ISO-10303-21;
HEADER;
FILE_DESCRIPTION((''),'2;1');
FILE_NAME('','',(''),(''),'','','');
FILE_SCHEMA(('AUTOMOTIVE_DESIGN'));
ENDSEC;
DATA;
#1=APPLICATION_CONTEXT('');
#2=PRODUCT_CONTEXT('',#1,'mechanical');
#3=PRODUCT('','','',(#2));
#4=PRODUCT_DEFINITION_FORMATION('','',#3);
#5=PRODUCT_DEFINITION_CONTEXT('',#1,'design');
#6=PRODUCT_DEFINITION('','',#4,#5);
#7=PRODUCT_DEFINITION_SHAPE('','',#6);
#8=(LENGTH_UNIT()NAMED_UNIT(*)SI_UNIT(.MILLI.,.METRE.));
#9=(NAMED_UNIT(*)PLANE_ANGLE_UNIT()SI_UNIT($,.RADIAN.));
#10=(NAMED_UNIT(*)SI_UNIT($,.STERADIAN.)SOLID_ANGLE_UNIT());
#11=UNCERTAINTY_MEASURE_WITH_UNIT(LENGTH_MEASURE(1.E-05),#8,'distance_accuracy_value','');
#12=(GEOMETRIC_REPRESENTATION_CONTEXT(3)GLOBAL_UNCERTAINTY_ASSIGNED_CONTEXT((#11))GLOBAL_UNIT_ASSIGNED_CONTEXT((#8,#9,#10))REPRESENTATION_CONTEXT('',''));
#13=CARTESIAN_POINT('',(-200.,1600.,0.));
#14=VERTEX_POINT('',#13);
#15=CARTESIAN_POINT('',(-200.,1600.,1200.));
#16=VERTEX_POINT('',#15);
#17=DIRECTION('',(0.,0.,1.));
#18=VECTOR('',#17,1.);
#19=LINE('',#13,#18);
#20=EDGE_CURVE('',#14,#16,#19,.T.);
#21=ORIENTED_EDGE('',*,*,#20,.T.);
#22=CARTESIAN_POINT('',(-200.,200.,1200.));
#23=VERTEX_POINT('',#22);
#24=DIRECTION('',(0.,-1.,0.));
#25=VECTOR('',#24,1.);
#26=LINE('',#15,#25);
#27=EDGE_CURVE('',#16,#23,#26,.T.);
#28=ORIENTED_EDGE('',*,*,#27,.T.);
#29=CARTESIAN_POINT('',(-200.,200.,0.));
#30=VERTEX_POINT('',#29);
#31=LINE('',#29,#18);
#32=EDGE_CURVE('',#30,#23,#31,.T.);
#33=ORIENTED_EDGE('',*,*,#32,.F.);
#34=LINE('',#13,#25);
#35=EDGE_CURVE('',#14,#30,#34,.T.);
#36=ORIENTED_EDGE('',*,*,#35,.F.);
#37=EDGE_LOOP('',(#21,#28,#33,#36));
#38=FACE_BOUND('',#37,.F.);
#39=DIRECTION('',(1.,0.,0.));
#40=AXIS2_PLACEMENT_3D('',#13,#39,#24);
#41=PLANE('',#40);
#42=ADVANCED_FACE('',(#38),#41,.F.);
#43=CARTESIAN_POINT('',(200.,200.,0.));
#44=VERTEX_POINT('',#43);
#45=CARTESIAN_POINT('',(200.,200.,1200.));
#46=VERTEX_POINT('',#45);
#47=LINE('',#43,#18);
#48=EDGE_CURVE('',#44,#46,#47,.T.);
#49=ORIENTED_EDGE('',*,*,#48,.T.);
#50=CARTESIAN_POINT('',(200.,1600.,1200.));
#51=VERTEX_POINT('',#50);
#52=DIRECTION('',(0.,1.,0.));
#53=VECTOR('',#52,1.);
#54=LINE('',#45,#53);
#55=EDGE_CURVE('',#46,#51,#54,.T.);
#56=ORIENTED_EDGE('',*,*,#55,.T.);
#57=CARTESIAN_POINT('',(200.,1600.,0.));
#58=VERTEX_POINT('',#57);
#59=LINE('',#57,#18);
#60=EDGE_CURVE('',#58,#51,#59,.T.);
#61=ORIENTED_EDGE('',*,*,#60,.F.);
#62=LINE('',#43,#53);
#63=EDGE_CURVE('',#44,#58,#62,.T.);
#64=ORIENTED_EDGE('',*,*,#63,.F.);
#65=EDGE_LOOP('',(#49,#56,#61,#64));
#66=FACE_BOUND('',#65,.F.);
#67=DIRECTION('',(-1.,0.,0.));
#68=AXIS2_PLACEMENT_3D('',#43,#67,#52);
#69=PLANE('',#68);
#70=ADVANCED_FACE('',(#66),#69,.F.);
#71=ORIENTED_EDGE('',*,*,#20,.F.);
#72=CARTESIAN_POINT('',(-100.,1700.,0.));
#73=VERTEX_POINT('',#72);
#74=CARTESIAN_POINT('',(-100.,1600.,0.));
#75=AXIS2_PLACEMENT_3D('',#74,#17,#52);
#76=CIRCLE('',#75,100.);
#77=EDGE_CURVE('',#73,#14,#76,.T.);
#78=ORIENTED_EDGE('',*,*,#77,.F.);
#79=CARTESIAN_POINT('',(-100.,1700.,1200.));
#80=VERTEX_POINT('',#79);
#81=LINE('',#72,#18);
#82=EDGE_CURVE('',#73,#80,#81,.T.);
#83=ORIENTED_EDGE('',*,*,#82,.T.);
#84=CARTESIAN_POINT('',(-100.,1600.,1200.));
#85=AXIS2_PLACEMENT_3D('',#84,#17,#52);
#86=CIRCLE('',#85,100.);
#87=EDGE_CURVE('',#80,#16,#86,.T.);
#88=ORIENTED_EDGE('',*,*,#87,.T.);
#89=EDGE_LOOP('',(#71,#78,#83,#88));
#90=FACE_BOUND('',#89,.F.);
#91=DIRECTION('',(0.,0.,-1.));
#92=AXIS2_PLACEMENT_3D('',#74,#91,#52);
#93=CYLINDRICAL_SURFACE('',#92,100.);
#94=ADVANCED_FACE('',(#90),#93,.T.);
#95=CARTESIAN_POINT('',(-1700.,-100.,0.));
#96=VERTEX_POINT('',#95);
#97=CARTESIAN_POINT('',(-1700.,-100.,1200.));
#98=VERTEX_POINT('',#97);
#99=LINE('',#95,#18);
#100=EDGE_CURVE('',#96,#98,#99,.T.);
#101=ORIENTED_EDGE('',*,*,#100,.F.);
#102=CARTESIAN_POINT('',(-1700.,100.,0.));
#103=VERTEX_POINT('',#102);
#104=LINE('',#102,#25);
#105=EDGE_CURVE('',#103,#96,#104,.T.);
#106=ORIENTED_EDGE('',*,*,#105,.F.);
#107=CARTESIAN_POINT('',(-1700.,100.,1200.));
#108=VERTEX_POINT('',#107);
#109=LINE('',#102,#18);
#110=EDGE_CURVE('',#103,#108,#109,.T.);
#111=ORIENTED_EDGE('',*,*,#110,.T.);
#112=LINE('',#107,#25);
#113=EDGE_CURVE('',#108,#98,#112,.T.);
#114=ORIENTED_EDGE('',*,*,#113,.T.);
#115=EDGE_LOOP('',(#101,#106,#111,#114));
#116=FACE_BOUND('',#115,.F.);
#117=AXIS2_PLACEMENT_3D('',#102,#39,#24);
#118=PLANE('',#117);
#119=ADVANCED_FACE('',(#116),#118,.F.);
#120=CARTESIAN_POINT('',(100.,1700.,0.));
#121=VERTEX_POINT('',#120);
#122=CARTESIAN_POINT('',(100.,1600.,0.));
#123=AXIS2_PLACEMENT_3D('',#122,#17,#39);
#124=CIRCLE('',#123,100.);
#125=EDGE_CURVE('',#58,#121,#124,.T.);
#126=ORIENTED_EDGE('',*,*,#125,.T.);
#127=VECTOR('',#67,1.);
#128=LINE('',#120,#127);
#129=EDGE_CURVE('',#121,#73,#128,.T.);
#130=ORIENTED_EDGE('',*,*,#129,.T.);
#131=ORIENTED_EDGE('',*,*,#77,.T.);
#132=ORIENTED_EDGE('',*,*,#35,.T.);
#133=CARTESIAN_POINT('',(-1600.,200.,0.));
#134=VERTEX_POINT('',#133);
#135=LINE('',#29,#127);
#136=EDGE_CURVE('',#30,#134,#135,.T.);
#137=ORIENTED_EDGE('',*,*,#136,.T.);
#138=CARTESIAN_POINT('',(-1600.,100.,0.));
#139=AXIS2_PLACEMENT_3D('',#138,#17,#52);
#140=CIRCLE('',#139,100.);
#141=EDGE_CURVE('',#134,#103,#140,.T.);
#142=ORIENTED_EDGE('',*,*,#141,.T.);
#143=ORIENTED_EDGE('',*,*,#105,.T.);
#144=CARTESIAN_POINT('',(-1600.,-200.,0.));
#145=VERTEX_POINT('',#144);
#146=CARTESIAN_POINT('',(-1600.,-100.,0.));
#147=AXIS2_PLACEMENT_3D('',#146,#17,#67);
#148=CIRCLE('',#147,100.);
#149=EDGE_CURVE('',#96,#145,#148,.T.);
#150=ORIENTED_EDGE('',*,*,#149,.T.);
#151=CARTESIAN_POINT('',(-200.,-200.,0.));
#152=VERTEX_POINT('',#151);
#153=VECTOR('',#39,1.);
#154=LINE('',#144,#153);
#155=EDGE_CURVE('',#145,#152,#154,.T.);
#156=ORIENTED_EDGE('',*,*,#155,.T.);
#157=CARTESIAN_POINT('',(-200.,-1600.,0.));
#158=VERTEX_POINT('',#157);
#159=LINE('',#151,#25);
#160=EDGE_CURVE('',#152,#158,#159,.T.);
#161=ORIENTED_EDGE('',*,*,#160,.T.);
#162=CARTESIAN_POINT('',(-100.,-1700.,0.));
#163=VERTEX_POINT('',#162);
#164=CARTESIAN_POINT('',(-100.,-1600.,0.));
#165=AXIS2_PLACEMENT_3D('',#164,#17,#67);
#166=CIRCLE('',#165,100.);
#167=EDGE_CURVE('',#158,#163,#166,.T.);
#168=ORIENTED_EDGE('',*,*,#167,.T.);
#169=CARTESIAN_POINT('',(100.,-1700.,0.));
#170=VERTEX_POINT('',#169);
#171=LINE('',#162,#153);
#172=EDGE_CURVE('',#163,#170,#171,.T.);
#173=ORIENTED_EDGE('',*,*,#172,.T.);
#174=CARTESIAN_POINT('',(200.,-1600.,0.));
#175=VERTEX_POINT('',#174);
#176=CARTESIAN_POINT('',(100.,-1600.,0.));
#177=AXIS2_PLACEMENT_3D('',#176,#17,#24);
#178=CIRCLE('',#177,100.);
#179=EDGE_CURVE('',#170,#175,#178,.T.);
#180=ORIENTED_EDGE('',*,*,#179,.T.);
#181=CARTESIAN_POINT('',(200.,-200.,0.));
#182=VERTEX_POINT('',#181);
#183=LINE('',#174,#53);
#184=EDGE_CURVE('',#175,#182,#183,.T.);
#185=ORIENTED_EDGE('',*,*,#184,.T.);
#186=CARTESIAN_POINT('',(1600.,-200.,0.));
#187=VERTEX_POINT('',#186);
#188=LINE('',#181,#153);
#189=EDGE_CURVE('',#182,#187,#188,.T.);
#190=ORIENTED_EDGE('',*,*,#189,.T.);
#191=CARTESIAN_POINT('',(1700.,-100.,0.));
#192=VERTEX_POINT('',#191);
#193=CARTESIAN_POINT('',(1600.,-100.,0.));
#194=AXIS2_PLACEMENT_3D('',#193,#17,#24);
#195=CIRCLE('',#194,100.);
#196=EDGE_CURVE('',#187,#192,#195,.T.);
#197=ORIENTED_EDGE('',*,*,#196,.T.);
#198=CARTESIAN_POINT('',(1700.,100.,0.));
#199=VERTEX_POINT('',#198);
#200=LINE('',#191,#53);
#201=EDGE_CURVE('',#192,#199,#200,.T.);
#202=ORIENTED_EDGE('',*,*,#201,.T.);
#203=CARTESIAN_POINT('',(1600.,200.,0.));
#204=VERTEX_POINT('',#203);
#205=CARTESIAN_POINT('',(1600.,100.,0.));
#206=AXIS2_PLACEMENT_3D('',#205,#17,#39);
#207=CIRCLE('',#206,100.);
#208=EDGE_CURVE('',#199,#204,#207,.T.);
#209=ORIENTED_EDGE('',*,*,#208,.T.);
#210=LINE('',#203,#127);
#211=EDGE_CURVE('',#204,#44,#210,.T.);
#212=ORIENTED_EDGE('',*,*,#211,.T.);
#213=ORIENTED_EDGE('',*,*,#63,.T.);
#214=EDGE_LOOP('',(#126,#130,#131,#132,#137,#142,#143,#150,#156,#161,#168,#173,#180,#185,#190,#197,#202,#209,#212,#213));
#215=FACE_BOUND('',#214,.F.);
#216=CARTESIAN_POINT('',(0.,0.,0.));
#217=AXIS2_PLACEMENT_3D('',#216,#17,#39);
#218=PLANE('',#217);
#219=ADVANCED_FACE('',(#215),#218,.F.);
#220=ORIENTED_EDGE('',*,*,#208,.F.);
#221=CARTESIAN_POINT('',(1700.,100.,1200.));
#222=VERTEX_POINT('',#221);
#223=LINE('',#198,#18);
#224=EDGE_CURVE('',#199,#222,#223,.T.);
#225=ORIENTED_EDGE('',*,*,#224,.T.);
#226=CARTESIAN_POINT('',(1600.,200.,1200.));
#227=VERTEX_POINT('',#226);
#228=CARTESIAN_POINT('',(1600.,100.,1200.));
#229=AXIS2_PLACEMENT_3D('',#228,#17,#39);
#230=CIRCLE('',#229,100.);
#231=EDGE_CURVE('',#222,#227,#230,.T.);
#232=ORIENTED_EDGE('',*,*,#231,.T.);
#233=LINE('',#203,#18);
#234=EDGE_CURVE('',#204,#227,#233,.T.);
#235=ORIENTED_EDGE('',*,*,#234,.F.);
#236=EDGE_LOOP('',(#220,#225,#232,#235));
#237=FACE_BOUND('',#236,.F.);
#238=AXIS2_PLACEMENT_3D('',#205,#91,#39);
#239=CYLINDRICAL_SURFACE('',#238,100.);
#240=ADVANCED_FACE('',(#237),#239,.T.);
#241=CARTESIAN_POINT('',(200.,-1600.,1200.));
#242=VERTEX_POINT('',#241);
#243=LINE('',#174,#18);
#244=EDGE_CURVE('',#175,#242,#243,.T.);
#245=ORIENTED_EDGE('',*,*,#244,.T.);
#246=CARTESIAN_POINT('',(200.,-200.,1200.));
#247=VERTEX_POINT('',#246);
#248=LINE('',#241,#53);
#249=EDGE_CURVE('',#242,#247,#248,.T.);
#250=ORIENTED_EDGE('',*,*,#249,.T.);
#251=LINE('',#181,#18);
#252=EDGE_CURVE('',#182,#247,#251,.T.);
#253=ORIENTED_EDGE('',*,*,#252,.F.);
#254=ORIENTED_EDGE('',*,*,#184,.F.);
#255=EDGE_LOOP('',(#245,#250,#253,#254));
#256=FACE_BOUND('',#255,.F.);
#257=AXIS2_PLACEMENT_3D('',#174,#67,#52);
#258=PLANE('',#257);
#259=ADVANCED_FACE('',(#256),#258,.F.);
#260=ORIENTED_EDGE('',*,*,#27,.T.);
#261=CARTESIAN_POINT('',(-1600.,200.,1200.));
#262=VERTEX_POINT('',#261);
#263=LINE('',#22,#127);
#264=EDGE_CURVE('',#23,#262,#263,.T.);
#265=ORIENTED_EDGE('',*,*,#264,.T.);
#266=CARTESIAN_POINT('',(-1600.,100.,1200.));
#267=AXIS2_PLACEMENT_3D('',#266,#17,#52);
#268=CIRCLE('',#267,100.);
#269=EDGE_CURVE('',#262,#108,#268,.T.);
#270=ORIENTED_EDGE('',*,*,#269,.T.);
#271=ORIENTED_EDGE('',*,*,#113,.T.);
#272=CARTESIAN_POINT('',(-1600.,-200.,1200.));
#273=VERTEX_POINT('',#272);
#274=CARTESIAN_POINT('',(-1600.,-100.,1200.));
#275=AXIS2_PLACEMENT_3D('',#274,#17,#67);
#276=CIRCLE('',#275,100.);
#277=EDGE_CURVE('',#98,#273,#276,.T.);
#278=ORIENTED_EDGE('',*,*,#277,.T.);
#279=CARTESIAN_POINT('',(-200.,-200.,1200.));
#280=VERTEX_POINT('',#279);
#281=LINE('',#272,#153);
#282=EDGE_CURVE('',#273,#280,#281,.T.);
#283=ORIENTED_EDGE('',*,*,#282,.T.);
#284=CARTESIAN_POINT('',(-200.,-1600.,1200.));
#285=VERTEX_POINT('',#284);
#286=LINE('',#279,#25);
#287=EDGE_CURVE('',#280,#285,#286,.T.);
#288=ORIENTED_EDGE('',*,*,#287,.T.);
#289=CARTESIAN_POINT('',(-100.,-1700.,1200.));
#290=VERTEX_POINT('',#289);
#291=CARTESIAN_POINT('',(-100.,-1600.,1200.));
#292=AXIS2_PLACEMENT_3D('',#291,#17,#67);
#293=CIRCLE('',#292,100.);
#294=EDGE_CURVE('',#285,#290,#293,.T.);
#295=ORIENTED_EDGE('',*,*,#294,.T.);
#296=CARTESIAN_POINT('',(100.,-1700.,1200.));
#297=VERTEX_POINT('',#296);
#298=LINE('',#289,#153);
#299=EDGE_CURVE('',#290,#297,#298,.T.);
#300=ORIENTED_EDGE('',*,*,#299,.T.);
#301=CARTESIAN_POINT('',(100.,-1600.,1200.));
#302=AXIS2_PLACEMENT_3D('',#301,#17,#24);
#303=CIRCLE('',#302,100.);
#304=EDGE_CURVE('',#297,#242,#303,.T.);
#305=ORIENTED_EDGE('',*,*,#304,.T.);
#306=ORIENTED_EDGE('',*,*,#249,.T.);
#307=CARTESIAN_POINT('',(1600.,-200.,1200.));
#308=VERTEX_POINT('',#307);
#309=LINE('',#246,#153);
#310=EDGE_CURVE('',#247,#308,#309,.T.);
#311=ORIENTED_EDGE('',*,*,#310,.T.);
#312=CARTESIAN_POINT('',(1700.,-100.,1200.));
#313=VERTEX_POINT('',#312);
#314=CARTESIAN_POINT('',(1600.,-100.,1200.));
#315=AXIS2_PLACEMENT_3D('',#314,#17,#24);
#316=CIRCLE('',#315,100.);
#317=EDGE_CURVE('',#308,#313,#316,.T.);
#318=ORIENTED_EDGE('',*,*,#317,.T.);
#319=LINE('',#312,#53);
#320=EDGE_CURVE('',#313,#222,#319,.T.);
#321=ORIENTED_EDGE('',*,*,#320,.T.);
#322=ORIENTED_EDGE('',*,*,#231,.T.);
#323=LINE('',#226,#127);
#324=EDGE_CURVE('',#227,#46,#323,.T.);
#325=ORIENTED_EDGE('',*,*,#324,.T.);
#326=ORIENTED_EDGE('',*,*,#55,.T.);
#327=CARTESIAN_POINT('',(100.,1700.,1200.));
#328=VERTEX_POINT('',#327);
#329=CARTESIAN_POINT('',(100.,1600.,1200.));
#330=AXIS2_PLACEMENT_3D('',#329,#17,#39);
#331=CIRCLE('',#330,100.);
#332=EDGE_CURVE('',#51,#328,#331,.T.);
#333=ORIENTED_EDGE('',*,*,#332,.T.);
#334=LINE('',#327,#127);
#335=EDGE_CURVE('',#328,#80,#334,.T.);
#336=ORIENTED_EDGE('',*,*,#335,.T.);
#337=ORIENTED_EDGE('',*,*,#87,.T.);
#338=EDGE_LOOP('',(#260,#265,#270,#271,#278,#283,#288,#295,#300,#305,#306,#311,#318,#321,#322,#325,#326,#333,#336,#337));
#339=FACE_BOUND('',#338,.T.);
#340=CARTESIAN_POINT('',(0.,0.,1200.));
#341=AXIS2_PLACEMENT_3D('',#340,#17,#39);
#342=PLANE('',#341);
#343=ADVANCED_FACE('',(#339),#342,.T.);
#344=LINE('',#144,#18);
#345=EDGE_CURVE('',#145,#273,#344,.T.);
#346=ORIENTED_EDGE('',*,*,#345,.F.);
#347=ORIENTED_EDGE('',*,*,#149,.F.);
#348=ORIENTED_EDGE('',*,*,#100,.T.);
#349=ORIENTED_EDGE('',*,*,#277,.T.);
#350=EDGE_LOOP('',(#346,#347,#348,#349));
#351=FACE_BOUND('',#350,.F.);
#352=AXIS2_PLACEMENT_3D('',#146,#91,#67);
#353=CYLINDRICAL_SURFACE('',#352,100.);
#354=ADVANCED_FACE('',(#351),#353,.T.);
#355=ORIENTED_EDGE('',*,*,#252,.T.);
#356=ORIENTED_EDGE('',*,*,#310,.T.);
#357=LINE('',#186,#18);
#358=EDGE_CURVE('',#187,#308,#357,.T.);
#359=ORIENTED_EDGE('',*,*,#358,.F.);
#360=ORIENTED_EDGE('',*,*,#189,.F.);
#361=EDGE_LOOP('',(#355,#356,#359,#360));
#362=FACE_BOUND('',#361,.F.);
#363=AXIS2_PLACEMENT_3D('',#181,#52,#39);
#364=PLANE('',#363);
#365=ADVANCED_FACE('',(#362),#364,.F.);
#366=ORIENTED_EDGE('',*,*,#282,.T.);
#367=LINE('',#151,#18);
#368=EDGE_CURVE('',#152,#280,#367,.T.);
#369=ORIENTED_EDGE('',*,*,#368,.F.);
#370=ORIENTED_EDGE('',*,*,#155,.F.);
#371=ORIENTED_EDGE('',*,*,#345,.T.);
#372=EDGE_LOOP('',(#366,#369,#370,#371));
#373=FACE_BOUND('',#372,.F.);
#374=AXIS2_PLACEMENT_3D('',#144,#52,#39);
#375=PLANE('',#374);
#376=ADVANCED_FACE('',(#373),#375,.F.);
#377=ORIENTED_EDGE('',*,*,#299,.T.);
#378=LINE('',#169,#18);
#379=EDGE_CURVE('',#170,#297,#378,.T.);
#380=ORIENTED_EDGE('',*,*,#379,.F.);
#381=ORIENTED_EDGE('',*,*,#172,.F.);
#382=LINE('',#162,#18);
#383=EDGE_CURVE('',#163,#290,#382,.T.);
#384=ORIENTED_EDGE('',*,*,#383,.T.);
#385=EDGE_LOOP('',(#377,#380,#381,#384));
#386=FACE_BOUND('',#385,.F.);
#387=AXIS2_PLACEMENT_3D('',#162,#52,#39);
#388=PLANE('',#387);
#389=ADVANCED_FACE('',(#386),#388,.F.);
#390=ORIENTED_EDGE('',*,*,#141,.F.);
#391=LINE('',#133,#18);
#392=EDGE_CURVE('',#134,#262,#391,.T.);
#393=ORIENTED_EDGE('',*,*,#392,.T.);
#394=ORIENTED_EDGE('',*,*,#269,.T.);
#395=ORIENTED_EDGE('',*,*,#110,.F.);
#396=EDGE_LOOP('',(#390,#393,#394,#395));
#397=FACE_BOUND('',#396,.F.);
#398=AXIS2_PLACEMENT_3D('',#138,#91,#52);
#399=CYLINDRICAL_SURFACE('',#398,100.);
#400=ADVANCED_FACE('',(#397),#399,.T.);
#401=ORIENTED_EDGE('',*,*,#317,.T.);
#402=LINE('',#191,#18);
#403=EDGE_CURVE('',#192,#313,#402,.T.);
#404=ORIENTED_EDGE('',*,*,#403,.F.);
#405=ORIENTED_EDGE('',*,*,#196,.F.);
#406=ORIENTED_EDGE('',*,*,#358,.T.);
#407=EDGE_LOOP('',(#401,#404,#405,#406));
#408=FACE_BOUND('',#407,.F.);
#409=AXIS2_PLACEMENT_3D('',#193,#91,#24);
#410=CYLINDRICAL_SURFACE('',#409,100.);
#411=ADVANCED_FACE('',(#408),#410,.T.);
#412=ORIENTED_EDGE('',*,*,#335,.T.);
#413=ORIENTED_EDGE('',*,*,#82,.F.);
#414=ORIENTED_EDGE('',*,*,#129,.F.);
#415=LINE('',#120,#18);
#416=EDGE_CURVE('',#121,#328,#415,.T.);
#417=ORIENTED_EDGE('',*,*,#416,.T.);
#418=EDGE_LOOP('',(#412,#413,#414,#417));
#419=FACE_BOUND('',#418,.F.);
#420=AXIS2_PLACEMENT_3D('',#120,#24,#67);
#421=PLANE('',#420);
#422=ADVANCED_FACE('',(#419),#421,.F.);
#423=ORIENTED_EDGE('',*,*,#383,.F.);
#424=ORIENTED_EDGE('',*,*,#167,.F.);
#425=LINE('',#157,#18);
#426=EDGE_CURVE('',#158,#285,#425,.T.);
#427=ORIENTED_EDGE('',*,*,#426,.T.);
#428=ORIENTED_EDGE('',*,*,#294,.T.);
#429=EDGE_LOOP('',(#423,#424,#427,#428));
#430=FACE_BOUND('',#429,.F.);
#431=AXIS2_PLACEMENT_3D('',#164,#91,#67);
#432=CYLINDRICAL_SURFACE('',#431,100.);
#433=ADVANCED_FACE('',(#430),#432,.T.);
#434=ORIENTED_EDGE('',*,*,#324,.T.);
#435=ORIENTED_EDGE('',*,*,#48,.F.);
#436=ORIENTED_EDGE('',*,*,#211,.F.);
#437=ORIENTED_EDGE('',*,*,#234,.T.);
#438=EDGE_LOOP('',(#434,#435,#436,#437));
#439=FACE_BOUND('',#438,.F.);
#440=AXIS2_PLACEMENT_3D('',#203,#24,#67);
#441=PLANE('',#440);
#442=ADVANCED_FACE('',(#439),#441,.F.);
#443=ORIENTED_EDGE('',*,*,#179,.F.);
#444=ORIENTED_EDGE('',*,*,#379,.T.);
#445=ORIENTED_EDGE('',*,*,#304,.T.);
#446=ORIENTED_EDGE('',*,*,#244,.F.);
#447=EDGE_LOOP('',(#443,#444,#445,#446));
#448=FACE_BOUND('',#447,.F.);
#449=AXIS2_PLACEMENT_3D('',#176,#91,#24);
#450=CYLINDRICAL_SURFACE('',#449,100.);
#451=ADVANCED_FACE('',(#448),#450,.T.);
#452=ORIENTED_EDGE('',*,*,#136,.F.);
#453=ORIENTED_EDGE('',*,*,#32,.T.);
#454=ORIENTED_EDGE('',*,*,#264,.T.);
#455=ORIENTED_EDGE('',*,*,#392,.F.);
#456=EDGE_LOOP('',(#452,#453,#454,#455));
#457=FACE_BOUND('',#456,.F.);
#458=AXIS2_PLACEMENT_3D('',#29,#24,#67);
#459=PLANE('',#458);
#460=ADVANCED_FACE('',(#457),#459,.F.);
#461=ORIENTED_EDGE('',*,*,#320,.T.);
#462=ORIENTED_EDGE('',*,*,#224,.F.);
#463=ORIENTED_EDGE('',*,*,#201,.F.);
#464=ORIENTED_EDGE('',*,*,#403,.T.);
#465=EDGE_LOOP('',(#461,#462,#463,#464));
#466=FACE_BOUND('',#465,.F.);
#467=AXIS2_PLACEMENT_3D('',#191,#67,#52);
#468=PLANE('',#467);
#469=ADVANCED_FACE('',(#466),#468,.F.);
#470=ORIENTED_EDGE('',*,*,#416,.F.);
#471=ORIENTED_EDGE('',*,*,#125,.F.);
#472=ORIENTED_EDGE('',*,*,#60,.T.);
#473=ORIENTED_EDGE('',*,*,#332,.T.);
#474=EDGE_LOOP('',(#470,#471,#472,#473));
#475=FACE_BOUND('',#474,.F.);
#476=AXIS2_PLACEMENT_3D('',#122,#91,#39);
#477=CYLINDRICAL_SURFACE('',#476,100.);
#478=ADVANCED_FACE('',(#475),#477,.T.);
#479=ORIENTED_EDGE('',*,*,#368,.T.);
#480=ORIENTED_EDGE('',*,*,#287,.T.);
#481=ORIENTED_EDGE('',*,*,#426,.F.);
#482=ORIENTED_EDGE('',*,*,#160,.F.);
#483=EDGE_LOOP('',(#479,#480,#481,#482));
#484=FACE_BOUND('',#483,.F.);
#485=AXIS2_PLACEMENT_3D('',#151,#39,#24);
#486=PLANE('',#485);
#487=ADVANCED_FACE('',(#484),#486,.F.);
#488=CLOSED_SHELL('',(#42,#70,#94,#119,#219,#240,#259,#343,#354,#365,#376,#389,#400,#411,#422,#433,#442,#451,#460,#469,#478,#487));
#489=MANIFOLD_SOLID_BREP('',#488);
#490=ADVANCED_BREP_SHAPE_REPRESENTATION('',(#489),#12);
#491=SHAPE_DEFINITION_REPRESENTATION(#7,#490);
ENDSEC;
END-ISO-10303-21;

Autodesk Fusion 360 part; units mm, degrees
sketch "スケッチ1" plane through (0, 0, 0) normal (0, 0, 1) x (1, 0, 0)
  line L0 (-200, 200) -> (200, 200) construction
  line L1 (200, 200) -> (200, -200) construction
  line L2 (200, -200) -> (-200, -200) construction
  line L3 (-200, -200) -> (-200, 200) construction
  line L4 (-200, 200) -> (200, -200) construction
  line L5 (200, 200) -> (-200, -200) construction
  line L6 (-200, 200) -> (-1600, 200)
  line L7 (-1700, 100) -> (-1700, -100)
  line L8 (-1600, -200) -> (-200, -200)
  arc A0 (-1600, 200) -> (-1700, 100) centre (-1600, 100) ccw
  arc A1 (-1700, -100) -> (-1600, -200) centre (-1600, -100) ccw
  line L9 (-100, -1700) -> (100, -1700)
  arc A2 (-200, -1600) -> (-100, -1700) centre (-100, -1600) ccw
  arc A3 (100, -1700) -> (200, -1600) centre (100, -1600) ccw
  line L10 (200, -1600) -> (200, -200)
  line L11 (-200, -200) -> (-200, -1600)
  line L12 (1700, -100) -> (1700, 100)
  arc A4 (1600, -200) -> (1700, -100) centre (1600, -100) ccw
  arc A5 (1700, 100) -> (1600, 200) centre (1600, 100) ccw
  line L13 (1600, 200) -> (200, 200)
  line L14 (200, -200) -> (1600, -200)
  line L15 (100, 1700) -> (-100, 1700)
  arc A6 (200, 1600) -> (100, 1700) centre (100, 1600) ccw
  arc A7 (-100, 1700) -> (-200, 1600) centre (-100, 1600) ccw
  line L16 (-200, 1600) -> (-200, 200)
  line L17 (200, 200) -> (200, 1600)
  dimension "d1" = 100
  dimension "d2" = 400
  dimension "d3" = 1500
  dimension "d5" = 360
extrude "押し出し1" add sketch "スケッチ1" along normal blind 1200
